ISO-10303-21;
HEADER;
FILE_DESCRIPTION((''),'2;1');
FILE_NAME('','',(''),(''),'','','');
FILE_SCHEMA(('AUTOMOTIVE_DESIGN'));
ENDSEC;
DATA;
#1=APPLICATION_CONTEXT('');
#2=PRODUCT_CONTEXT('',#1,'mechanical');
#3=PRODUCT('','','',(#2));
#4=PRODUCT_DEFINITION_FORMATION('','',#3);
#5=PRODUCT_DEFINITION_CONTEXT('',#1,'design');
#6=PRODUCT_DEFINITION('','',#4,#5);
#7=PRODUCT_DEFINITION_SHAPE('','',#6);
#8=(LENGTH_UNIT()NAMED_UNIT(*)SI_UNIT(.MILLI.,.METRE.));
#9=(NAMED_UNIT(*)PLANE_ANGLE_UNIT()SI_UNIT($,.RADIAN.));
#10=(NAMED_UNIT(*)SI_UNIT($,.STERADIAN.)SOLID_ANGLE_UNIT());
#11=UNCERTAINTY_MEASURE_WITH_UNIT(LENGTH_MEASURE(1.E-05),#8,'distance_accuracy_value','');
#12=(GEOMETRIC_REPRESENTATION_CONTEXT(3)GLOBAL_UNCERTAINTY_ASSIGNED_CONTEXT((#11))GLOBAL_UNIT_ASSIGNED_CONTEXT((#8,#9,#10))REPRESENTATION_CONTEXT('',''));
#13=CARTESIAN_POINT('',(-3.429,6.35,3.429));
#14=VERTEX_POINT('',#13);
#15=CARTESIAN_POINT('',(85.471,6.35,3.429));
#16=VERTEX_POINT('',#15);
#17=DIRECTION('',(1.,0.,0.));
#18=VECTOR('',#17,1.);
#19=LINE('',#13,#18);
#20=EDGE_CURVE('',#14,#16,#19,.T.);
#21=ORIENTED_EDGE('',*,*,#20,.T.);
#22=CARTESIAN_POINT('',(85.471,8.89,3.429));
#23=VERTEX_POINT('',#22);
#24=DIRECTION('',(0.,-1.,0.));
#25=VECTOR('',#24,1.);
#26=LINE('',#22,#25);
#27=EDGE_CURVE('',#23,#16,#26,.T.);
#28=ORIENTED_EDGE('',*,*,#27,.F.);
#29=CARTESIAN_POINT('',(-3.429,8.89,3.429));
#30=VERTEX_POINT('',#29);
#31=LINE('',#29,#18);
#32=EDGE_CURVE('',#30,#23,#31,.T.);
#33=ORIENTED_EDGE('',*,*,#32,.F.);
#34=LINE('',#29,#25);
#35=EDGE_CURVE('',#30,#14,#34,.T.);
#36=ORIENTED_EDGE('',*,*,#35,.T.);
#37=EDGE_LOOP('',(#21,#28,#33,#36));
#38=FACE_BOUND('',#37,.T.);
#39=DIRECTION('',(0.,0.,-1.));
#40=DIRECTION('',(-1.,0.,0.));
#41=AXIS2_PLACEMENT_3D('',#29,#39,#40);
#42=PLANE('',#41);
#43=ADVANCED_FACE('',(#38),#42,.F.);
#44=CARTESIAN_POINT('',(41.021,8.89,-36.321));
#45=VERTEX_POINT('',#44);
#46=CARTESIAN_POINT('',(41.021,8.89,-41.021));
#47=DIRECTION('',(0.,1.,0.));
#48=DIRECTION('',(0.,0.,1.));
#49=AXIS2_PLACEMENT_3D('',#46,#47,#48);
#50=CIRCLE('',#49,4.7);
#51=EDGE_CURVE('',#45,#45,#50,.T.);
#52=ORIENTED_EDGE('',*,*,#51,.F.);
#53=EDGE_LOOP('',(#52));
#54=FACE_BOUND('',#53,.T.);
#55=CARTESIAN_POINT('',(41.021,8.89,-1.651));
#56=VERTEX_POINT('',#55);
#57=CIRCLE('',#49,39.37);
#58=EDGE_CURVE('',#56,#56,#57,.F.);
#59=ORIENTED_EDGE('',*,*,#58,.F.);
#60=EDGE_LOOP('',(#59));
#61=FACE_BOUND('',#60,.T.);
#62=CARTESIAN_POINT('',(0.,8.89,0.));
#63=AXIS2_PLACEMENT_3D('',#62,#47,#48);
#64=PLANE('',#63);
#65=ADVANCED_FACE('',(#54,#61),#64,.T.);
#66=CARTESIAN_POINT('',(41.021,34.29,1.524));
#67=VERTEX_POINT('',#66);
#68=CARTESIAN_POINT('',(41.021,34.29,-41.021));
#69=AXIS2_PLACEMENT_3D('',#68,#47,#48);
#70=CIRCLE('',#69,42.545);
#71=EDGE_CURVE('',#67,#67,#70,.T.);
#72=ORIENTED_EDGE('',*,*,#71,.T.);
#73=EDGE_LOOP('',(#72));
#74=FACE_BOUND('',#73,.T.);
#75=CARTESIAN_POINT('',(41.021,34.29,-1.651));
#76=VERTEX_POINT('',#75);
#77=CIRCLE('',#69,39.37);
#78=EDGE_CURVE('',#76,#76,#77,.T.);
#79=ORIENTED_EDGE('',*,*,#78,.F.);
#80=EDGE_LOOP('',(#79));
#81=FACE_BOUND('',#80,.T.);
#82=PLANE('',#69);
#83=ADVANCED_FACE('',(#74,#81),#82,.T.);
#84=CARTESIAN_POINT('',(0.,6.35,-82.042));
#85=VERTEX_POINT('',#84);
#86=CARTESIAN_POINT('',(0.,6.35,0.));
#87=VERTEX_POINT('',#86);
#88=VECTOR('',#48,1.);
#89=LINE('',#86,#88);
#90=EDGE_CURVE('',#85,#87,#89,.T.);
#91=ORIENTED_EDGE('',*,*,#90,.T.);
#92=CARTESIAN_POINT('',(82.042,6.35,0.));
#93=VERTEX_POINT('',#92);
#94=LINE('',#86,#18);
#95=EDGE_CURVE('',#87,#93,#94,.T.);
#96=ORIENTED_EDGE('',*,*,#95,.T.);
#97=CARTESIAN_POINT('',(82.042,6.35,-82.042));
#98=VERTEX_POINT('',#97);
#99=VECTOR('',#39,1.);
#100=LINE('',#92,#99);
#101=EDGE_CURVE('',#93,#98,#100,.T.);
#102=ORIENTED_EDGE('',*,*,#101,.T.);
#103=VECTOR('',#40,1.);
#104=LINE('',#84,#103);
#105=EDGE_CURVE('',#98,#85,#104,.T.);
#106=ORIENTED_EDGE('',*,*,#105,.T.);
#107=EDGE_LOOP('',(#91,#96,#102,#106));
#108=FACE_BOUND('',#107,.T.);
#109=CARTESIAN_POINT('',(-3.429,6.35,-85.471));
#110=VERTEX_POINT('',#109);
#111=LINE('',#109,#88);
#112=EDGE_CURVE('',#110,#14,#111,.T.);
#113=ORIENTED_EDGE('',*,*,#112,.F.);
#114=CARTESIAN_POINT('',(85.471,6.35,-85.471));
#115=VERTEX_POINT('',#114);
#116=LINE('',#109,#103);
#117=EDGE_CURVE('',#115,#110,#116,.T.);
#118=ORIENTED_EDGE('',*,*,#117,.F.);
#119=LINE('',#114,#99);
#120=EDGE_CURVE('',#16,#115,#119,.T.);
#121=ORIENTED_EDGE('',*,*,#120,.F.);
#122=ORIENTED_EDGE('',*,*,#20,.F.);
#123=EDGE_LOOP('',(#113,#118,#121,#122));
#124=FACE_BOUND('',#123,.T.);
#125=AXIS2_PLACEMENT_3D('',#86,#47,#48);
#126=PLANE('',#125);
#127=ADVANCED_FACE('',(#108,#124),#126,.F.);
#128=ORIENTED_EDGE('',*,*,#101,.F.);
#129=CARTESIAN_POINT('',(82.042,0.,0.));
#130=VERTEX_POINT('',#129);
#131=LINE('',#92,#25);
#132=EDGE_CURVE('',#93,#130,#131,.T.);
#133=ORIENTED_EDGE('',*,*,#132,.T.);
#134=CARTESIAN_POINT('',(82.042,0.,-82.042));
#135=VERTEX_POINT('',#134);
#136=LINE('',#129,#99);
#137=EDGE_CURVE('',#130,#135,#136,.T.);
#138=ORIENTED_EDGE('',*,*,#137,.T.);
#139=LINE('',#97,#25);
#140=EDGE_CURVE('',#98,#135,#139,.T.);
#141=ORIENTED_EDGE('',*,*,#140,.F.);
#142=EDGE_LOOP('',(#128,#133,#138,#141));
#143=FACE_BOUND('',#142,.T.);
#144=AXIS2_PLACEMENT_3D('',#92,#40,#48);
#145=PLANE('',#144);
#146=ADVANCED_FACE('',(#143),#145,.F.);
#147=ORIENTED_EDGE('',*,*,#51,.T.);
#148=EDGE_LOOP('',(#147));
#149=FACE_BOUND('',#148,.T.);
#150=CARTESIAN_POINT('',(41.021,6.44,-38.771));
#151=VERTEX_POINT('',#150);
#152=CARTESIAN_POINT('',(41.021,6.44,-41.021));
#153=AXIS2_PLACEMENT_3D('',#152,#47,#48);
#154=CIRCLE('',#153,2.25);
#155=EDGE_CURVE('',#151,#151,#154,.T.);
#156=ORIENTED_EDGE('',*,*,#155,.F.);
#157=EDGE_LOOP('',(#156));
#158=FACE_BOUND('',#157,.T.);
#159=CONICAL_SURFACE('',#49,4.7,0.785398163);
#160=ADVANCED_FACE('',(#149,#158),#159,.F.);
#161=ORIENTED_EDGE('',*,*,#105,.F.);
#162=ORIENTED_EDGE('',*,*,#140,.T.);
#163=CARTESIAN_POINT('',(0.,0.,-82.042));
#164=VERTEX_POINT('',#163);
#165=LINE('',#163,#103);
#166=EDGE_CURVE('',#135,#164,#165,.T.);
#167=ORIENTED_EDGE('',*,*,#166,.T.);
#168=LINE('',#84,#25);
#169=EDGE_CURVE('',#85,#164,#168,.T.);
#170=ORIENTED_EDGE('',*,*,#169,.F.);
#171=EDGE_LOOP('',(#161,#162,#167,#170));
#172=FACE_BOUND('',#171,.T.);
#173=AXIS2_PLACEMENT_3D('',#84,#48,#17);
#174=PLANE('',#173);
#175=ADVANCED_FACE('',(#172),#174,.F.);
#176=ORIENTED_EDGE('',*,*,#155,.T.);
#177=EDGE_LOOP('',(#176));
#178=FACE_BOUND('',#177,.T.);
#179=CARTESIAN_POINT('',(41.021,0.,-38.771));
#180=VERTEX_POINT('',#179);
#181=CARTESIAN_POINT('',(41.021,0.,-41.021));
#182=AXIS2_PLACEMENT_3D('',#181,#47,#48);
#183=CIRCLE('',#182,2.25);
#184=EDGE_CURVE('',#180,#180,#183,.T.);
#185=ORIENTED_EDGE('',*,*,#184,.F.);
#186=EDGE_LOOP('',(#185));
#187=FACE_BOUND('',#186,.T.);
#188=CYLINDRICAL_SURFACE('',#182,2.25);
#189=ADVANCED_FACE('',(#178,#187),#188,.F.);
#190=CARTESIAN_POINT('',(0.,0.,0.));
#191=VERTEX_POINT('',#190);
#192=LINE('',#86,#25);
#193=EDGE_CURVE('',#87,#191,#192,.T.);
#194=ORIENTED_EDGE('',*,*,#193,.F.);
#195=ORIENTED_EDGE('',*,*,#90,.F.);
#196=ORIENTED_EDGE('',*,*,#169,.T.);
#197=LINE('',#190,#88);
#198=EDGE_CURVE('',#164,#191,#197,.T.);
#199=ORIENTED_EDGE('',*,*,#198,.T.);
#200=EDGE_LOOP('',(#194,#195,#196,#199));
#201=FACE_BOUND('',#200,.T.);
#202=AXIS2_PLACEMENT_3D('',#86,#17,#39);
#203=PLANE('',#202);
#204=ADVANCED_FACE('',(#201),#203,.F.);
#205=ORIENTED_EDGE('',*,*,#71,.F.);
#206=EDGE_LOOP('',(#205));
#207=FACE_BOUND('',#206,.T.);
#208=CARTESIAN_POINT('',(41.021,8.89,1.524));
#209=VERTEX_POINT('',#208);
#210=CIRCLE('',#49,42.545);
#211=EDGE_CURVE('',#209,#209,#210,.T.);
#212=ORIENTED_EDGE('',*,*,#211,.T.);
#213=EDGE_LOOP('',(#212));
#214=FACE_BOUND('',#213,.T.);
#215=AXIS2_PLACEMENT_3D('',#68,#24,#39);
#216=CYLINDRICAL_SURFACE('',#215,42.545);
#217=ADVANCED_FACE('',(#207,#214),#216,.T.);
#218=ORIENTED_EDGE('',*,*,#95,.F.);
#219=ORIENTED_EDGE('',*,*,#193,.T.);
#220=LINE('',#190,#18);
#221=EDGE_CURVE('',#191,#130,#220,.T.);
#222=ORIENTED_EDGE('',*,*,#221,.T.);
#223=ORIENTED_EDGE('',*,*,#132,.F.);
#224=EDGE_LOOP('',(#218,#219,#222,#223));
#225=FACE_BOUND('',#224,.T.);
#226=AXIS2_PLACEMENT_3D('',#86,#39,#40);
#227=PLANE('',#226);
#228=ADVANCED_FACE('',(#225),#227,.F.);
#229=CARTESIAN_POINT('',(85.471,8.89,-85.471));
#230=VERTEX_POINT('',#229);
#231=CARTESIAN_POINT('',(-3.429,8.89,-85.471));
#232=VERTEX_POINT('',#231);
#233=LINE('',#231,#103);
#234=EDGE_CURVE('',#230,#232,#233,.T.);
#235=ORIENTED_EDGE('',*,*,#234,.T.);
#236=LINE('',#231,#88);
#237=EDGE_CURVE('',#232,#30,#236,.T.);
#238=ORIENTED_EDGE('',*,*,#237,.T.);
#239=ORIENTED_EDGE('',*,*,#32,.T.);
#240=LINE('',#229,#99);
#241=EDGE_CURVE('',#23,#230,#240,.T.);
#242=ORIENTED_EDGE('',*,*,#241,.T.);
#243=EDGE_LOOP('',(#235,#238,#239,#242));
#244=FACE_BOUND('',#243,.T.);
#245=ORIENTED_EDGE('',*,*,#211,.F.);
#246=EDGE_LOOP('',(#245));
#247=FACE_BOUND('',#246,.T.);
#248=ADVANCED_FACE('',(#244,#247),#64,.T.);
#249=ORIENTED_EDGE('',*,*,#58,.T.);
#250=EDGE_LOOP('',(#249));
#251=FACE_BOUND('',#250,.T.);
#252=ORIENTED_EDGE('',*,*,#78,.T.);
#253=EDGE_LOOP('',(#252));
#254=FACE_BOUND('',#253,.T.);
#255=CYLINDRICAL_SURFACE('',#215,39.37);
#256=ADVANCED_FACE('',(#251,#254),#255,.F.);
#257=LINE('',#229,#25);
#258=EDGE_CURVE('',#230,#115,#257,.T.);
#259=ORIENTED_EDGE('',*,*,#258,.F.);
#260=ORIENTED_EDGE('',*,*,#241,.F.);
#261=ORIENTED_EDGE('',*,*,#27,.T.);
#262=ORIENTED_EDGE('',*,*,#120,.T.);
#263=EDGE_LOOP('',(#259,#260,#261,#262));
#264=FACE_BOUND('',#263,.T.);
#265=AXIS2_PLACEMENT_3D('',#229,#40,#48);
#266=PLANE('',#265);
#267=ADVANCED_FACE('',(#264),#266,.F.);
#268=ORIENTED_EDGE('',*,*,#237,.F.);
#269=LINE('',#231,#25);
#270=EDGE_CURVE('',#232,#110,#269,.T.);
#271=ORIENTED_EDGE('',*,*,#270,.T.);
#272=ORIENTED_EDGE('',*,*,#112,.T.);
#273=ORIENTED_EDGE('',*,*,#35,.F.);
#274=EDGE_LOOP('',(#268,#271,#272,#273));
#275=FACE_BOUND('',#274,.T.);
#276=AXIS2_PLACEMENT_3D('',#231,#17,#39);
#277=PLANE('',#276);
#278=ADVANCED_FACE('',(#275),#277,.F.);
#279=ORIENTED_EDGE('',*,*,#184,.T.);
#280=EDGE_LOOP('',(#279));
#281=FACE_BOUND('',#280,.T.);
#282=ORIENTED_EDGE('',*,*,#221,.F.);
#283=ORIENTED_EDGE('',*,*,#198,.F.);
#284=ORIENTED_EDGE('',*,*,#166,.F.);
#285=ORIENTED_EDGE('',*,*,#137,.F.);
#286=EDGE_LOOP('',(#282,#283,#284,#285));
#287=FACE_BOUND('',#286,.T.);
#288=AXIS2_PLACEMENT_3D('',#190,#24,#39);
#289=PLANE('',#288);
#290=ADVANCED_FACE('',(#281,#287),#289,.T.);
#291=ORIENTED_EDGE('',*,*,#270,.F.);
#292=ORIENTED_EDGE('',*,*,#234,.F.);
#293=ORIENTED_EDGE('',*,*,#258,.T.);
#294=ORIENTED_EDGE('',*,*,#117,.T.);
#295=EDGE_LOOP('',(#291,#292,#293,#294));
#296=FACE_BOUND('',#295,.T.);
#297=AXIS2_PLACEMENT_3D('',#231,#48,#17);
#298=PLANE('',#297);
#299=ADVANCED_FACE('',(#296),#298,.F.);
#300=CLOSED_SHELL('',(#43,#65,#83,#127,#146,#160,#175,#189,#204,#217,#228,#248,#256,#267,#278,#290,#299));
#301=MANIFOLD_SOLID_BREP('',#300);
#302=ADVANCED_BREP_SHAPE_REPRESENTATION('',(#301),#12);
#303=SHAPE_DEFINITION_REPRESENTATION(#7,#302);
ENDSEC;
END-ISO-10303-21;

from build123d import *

# Parameters (mm, degrees)
SKETCH1_W                                       = 82.042
SKETCH1_H                                       = 82.042
BOSS_EXTRUDE1_DEPTH                             = 6.35
SKETCH3_W                                       = 88.9
SKETCH3_H                                       = 88.9
BOSS_EXTRUDE3_DEPTH                             = 2.54
SKETCH4_R                                       = 2.25
CUT_EXTRUDE1_DEPTH                              = 9.89
SKETCH5_R                                       = 42.545
SKETCH5_R_2                                     = 39.37
BOSS_EXTRUDE4_DEPTH                             = 25.4
CSK_FOR_M4_FLAT_HEAD_MACHINE_SCREW1_D           = 4.5
CSK_FOR_M4_FLAT_HEAD_MACHINE_SCREW1_DEPTH       = 3.99999
CSK_FOR_M4_FLAT_HEAD_MACHINE_SCREW1_CSINK_D     = 9.4
CSK_FOR_M4_FLAT_HEAD_MACHINE_SCREW1_CSINK_ANGLE = 90
CSK_FOR_M4_FLAT_HEAD_MACHINE_SCREW1_TIP         = 1.351936393


with BuildPart() as part:
    # Sketch1 → Boss-Extrude1 (new body)
    with BuildSketch(Plane(origin=(0, 0, 0), x_dir=(1, 0, 0), z_dir=(0, 1, 0))):
        with Locations((41.021, 41.021)):
            Rectangle(SKETCH1_W, SKETCH1_H)
    extrude(amount=BOSS_EXTRUDE1_DEPTH)

    # Sketch3 → Boss-Extrude3 (add)
    with BuildSketch(Plane(origin=(0, 6.35, 0), x_dir=(1, 0, 0), z_dir=(0, 1, 0))):
        with Locations((41.021, 41.021)):
            Rectangle(SKETCH3_W, SKETCH3_H)
    extrude(amount=BOSS_EXTRUDE3_DEPTH)

    # Sketch4 → Cut-Extrude1 (cut, through all)
    with BuildSketch(Plane(origin=(0, 8.89, 0), x_dir=(1, 0, 0), z_dir=(0, 1, 0))):
        with Locations((41.021, 41.021)):
            Circle(SKETCH4_R)
    extrude(amount=-CUT_EXTRUDE1_DEPTH, mode=Mode.SUBTRACT)

    # Sketch5 → Boss-Extrude4 (add)
    with BuildSketch(Plane(origin=(0, 8.89, 0), x_dir=(1, 0, 0), z_dir=(0, 1, 0))):
        with Locations((41.021, 41.021)):
            Circle(SKETCH5_R)
        with Locations((41.021, 41.021)):
            Circle(SKETCH5_R_2, mode=Mode.SUBTRACT)
    extrude(amount=BOSS_EXTRUDE4_DEPTH)

    # CSK for M4 Flat Head Machine Screw1
    with Locations(Plane(origin=(0, 8.89, 0), x_dir=(1, 0, 0), z_dir=(0, 1, 0))):
        with Locations((41.021, 41.021)):
            CounterSinkHole(CSK_FOR_M4_FLAT_HEAD_MACHINE_SCREW1_D / 2, CSK_FOR_M4_FLAT_HEAD_MACHINE_SCREW1_CSINK_D / 2, depth=CSK_FOR_M4_FLAT_HEAD_MACHINE_SCREW1_DEPTH, counter_sink_angle=CSK_FOR_M4_FLAT_HEAD_MACHINE_SCREW1_CSINK_ANGLE)
            with Locations((0, 0, -(CSK_FOR_M4_FLAT_HEAD_MACHINE_SCREW1_DEPTH + CSK_FOR_M4_FLAT_HEAD_MACHINE_SCREW1_TIP / 2))):  # 118° drill point
                Cone(0, CSK_FOR_M4_FLAT_HEAD_MACHINE_SCREW1_D / 2, CSK_FOR_M4_FLAT_HEAD_MACHINE_SCREW1_TIP, mode=Mode.SUBTRACT)


solid = part.part
